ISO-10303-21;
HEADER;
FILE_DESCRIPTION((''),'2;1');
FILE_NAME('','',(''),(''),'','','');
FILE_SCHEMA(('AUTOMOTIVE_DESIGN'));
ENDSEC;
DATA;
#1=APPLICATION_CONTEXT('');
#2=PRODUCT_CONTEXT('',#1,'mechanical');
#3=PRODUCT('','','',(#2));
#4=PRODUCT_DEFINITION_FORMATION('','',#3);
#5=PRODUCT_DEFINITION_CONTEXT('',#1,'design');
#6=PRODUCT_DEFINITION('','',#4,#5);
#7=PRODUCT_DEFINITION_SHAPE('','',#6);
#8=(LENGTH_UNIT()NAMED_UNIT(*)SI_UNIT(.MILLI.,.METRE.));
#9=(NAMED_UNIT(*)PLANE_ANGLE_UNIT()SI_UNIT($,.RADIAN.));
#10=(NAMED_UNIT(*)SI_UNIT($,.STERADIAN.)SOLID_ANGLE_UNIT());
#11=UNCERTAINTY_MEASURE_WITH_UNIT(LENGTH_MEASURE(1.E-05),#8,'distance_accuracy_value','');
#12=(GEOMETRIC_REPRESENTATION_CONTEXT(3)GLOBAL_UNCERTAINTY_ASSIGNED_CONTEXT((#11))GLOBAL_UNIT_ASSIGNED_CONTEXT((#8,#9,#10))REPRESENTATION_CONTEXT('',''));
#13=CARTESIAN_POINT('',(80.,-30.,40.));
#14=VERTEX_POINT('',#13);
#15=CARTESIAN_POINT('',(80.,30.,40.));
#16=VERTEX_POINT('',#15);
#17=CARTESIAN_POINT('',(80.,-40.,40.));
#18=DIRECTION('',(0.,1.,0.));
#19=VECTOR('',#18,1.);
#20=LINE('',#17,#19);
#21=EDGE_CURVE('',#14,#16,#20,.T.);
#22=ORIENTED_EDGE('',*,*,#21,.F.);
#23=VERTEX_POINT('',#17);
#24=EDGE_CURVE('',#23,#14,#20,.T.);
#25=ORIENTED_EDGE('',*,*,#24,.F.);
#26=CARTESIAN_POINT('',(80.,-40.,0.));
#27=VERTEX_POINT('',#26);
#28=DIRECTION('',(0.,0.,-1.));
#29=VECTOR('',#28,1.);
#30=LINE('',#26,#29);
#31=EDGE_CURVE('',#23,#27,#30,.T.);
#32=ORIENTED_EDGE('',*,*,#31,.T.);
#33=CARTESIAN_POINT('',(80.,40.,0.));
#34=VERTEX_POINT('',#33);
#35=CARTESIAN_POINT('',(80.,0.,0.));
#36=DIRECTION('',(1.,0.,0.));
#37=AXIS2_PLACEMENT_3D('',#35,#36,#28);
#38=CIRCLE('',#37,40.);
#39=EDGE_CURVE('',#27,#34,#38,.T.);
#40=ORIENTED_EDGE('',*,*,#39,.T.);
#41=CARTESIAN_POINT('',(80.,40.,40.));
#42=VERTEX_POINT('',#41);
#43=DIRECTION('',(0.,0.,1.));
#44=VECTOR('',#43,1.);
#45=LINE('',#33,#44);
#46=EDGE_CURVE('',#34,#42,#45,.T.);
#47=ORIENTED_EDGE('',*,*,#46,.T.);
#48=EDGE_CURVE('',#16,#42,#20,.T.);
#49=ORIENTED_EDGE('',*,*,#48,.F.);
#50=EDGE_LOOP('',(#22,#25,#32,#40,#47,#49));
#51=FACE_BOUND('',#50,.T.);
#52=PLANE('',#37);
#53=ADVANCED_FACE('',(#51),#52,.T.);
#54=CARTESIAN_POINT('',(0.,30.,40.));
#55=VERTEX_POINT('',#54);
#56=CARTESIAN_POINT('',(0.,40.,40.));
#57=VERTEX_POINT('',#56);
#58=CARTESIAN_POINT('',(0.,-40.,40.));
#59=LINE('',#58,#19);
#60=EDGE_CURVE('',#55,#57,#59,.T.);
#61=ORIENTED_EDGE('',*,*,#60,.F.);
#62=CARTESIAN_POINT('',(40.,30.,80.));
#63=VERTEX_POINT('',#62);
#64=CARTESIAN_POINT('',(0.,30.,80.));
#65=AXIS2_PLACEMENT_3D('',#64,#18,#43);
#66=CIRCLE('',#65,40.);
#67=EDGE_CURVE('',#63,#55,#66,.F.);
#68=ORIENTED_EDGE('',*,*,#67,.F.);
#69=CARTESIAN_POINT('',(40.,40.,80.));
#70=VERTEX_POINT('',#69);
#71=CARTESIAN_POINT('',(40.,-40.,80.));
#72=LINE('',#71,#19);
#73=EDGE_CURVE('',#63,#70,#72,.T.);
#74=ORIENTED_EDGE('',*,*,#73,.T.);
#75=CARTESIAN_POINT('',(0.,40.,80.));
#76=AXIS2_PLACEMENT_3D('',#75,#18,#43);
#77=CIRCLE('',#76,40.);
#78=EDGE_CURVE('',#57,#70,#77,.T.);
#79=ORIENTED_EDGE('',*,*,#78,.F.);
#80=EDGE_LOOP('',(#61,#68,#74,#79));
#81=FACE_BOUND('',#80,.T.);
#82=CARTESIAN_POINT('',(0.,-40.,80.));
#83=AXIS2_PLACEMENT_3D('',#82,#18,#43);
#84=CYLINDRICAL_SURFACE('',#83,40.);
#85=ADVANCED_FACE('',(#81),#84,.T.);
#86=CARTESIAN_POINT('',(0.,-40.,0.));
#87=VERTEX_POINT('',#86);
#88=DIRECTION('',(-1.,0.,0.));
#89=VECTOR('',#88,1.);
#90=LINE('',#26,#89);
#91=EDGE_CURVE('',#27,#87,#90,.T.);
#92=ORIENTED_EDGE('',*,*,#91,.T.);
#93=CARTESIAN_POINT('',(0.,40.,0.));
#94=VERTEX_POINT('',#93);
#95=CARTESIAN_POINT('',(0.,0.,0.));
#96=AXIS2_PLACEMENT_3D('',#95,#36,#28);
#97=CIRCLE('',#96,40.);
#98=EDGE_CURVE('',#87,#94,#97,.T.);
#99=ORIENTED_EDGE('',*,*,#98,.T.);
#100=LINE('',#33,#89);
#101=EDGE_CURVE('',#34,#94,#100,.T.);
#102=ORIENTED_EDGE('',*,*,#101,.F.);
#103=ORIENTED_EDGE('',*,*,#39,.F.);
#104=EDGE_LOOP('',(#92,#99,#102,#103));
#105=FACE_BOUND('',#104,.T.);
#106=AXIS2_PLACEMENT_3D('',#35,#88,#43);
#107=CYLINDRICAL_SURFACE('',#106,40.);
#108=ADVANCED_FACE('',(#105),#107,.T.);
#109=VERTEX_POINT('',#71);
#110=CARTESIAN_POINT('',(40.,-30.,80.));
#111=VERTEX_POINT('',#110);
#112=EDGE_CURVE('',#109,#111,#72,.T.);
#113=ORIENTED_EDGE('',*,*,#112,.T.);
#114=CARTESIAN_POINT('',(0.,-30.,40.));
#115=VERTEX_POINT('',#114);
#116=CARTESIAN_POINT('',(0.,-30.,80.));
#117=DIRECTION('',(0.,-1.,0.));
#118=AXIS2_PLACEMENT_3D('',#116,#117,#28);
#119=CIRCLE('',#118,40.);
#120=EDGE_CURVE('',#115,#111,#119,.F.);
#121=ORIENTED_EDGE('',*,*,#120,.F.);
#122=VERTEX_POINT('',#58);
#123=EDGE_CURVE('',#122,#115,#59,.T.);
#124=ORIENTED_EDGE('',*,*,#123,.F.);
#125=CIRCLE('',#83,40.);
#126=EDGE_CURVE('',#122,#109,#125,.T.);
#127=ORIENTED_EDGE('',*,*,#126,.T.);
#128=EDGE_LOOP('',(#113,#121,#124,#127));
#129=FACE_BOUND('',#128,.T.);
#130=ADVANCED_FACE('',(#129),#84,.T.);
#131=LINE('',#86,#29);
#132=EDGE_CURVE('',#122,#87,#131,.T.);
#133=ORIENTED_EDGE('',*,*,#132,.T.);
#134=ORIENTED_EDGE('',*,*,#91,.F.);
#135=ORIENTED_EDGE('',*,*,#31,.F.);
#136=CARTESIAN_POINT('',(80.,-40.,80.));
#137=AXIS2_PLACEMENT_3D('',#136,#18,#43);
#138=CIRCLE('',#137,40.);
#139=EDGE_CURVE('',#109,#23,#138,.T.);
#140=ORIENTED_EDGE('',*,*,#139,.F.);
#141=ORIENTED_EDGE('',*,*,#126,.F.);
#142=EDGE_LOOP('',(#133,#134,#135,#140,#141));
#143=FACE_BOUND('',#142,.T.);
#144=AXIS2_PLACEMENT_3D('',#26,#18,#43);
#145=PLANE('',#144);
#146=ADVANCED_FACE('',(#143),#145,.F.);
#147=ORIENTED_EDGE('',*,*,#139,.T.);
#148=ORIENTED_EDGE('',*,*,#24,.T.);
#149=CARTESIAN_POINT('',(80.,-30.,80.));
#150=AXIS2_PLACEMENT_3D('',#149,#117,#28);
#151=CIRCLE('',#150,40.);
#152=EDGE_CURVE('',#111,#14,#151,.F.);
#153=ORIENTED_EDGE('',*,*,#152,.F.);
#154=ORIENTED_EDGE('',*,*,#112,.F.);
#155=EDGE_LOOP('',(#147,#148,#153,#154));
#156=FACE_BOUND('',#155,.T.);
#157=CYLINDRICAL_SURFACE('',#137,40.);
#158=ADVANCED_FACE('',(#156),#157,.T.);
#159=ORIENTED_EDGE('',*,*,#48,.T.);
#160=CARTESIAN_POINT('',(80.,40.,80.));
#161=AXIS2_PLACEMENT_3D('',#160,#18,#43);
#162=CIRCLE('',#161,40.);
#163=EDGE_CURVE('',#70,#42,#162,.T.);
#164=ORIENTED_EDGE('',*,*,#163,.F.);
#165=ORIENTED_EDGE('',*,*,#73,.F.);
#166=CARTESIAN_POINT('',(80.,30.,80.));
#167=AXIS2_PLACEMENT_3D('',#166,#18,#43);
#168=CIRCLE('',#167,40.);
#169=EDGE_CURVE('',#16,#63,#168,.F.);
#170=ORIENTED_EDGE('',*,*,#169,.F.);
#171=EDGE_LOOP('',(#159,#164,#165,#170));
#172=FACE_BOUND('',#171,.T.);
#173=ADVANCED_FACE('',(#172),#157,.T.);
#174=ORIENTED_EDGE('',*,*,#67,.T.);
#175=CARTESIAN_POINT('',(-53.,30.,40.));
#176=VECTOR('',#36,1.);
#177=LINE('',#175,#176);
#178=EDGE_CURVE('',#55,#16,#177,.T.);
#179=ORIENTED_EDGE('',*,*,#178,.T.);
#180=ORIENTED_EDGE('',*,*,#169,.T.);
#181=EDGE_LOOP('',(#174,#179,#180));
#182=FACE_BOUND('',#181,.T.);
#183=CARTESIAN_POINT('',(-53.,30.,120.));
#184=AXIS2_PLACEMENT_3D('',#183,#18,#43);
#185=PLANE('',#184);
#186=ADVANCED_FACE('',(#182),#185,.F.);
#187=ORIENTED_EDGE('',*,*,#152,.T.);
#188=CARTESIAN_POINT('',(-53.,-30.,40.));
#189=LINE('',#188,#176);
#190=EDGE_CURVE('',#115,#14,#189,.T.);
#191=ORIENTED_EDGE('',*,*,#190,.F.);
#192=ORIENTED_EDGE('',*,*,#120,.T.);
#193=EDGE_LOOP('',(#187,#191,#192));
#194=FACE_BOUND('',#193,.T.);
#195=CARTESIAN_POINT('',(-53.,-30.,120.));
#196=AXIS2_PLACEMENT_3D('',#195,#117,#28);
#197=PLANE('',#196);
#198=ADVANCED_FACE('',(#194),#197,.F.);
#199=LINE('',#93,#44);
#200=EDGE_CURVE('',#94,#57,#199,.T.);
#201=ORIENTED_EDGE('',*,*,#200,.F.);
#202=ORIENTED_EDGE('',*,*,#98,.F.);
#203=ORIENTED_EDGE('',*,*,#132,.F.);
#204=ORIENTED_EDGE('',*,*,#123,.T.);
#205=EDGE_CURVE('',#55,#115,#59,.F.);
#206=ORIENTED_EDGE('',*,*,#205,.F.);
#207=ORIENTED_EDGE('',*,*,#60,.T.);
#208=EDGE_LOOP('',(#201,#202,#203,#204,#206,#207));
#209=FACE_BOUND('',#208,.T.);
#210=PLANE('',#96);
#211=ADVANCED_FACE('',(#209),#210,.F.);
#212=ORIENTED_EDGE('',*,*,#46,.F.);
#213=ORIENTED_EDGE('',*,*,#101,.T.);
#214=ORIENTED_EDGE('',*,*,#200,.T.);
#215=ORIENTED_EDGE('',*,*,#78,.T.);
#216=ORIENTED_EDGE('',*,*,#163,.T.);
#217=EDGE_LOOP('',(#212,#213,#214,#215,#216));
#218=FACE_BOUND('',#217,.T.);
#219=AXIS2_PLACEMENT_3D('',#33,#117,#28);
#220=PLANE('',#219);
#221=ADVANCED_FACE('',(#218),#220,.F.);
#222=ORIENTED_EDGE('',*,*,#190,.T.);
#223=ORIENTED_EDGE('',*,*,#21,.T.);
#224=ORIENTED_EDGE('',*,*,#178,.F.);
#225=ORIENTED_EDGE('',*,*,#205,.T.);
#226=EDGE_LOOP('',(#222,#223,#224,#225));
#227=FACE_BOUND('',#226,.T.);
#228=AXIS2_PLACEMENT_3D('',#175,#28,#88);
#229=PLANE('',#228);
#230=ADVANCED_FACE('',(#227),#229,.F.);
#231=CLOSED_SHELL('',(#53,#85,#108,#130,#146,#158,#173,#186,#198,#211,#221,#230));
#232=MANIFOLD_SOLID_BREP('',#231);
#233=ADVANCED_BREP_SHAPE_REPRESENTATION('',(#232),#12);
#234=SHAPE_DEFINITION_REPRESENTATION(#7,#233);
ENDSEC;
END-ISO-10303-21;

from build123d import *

# Parameters (mm, degrees)
BOSS_EXTRUDE1_DEPTH = 80
BOSS_EXTRUDE2_DEPTH = 80
SKETCH3_W           = 80
SKETCH3_H           = 60
CUT_EXTRUDE1_DEPTH  = 133


with BuildPart() as part:
    # Sketch1 → Boss-Extrude1 (new body)
    with BuildSketch(Plane(origin=(0, 0, 0), x_dir=(0, 0, -1), z_dir=(1, 0, 0))):
        with BuildLine():
            Line((0, 40), (-80, 40))
            Line((-80, 40), (-80, -40))
            Line((-80, -40), (0, -40))
            ThreePointArc((0, -40), (40, 0), (0, 40))
        make_face()
    extrude(amount=BOSS_EXTRUDE1_DEPTH)

    # Sketch2 → Boss-Extrude2 (add)
    with BuildSketch(Plane(origin=(0, 40, 0), x_dir=(1, 0, 0), z_dir=(0, 1, 0))):
        with BuildLine():
            Line((0, -80), (40, -80))
            ThreePointArc((40, -80), (28.284271247, -51.715728753), (0, -40))
            Line((0, -40), (0, -80))
        make_face()
        with BuildLine():
            ThreePointArc((0, -40), (-28.284271247, -108.284271247), (40, -80))
            Line((40, -80), (0, -80))
            Line((0, -80), (0, -40))
        make_face()
        with BuildLine():
            Line((80, -80), (40, -80))
            ThreePointArc((40, -80), (80, -120), (120, -80))
            ThreePointArc((120, -80), (108.284271247, -51.715728753), (80, -40))
            Line((80, -40), (80, -80))
        make_face()
        with BuildLine():
            ThreePointArc((80, -40), (51.715728753, -51.715728753), (40, -80))
            Line((40, -80), (80, -80))
            Line((80, -80), (80, -40))
        make_face()
    extrude(amount=-BOSS_EXTRUDE2_DEPTH)

    # Sketch3 → Cut-Extrude1 (cut, symmetric)
    with BuildSketch(Plane(origin=(80, 0, 0), x_dir=(0, 0, -1), z_dir=(1, 0, 0))):
        with Locations((-80, 0)):
            Rectangle(SKETCH3_W, SKETCH3_H)
    extrude(amount=CUT_EXTRUDE1_DEPTH, both=True, mode=Mode.SUBTRACT)


solid = part.part
